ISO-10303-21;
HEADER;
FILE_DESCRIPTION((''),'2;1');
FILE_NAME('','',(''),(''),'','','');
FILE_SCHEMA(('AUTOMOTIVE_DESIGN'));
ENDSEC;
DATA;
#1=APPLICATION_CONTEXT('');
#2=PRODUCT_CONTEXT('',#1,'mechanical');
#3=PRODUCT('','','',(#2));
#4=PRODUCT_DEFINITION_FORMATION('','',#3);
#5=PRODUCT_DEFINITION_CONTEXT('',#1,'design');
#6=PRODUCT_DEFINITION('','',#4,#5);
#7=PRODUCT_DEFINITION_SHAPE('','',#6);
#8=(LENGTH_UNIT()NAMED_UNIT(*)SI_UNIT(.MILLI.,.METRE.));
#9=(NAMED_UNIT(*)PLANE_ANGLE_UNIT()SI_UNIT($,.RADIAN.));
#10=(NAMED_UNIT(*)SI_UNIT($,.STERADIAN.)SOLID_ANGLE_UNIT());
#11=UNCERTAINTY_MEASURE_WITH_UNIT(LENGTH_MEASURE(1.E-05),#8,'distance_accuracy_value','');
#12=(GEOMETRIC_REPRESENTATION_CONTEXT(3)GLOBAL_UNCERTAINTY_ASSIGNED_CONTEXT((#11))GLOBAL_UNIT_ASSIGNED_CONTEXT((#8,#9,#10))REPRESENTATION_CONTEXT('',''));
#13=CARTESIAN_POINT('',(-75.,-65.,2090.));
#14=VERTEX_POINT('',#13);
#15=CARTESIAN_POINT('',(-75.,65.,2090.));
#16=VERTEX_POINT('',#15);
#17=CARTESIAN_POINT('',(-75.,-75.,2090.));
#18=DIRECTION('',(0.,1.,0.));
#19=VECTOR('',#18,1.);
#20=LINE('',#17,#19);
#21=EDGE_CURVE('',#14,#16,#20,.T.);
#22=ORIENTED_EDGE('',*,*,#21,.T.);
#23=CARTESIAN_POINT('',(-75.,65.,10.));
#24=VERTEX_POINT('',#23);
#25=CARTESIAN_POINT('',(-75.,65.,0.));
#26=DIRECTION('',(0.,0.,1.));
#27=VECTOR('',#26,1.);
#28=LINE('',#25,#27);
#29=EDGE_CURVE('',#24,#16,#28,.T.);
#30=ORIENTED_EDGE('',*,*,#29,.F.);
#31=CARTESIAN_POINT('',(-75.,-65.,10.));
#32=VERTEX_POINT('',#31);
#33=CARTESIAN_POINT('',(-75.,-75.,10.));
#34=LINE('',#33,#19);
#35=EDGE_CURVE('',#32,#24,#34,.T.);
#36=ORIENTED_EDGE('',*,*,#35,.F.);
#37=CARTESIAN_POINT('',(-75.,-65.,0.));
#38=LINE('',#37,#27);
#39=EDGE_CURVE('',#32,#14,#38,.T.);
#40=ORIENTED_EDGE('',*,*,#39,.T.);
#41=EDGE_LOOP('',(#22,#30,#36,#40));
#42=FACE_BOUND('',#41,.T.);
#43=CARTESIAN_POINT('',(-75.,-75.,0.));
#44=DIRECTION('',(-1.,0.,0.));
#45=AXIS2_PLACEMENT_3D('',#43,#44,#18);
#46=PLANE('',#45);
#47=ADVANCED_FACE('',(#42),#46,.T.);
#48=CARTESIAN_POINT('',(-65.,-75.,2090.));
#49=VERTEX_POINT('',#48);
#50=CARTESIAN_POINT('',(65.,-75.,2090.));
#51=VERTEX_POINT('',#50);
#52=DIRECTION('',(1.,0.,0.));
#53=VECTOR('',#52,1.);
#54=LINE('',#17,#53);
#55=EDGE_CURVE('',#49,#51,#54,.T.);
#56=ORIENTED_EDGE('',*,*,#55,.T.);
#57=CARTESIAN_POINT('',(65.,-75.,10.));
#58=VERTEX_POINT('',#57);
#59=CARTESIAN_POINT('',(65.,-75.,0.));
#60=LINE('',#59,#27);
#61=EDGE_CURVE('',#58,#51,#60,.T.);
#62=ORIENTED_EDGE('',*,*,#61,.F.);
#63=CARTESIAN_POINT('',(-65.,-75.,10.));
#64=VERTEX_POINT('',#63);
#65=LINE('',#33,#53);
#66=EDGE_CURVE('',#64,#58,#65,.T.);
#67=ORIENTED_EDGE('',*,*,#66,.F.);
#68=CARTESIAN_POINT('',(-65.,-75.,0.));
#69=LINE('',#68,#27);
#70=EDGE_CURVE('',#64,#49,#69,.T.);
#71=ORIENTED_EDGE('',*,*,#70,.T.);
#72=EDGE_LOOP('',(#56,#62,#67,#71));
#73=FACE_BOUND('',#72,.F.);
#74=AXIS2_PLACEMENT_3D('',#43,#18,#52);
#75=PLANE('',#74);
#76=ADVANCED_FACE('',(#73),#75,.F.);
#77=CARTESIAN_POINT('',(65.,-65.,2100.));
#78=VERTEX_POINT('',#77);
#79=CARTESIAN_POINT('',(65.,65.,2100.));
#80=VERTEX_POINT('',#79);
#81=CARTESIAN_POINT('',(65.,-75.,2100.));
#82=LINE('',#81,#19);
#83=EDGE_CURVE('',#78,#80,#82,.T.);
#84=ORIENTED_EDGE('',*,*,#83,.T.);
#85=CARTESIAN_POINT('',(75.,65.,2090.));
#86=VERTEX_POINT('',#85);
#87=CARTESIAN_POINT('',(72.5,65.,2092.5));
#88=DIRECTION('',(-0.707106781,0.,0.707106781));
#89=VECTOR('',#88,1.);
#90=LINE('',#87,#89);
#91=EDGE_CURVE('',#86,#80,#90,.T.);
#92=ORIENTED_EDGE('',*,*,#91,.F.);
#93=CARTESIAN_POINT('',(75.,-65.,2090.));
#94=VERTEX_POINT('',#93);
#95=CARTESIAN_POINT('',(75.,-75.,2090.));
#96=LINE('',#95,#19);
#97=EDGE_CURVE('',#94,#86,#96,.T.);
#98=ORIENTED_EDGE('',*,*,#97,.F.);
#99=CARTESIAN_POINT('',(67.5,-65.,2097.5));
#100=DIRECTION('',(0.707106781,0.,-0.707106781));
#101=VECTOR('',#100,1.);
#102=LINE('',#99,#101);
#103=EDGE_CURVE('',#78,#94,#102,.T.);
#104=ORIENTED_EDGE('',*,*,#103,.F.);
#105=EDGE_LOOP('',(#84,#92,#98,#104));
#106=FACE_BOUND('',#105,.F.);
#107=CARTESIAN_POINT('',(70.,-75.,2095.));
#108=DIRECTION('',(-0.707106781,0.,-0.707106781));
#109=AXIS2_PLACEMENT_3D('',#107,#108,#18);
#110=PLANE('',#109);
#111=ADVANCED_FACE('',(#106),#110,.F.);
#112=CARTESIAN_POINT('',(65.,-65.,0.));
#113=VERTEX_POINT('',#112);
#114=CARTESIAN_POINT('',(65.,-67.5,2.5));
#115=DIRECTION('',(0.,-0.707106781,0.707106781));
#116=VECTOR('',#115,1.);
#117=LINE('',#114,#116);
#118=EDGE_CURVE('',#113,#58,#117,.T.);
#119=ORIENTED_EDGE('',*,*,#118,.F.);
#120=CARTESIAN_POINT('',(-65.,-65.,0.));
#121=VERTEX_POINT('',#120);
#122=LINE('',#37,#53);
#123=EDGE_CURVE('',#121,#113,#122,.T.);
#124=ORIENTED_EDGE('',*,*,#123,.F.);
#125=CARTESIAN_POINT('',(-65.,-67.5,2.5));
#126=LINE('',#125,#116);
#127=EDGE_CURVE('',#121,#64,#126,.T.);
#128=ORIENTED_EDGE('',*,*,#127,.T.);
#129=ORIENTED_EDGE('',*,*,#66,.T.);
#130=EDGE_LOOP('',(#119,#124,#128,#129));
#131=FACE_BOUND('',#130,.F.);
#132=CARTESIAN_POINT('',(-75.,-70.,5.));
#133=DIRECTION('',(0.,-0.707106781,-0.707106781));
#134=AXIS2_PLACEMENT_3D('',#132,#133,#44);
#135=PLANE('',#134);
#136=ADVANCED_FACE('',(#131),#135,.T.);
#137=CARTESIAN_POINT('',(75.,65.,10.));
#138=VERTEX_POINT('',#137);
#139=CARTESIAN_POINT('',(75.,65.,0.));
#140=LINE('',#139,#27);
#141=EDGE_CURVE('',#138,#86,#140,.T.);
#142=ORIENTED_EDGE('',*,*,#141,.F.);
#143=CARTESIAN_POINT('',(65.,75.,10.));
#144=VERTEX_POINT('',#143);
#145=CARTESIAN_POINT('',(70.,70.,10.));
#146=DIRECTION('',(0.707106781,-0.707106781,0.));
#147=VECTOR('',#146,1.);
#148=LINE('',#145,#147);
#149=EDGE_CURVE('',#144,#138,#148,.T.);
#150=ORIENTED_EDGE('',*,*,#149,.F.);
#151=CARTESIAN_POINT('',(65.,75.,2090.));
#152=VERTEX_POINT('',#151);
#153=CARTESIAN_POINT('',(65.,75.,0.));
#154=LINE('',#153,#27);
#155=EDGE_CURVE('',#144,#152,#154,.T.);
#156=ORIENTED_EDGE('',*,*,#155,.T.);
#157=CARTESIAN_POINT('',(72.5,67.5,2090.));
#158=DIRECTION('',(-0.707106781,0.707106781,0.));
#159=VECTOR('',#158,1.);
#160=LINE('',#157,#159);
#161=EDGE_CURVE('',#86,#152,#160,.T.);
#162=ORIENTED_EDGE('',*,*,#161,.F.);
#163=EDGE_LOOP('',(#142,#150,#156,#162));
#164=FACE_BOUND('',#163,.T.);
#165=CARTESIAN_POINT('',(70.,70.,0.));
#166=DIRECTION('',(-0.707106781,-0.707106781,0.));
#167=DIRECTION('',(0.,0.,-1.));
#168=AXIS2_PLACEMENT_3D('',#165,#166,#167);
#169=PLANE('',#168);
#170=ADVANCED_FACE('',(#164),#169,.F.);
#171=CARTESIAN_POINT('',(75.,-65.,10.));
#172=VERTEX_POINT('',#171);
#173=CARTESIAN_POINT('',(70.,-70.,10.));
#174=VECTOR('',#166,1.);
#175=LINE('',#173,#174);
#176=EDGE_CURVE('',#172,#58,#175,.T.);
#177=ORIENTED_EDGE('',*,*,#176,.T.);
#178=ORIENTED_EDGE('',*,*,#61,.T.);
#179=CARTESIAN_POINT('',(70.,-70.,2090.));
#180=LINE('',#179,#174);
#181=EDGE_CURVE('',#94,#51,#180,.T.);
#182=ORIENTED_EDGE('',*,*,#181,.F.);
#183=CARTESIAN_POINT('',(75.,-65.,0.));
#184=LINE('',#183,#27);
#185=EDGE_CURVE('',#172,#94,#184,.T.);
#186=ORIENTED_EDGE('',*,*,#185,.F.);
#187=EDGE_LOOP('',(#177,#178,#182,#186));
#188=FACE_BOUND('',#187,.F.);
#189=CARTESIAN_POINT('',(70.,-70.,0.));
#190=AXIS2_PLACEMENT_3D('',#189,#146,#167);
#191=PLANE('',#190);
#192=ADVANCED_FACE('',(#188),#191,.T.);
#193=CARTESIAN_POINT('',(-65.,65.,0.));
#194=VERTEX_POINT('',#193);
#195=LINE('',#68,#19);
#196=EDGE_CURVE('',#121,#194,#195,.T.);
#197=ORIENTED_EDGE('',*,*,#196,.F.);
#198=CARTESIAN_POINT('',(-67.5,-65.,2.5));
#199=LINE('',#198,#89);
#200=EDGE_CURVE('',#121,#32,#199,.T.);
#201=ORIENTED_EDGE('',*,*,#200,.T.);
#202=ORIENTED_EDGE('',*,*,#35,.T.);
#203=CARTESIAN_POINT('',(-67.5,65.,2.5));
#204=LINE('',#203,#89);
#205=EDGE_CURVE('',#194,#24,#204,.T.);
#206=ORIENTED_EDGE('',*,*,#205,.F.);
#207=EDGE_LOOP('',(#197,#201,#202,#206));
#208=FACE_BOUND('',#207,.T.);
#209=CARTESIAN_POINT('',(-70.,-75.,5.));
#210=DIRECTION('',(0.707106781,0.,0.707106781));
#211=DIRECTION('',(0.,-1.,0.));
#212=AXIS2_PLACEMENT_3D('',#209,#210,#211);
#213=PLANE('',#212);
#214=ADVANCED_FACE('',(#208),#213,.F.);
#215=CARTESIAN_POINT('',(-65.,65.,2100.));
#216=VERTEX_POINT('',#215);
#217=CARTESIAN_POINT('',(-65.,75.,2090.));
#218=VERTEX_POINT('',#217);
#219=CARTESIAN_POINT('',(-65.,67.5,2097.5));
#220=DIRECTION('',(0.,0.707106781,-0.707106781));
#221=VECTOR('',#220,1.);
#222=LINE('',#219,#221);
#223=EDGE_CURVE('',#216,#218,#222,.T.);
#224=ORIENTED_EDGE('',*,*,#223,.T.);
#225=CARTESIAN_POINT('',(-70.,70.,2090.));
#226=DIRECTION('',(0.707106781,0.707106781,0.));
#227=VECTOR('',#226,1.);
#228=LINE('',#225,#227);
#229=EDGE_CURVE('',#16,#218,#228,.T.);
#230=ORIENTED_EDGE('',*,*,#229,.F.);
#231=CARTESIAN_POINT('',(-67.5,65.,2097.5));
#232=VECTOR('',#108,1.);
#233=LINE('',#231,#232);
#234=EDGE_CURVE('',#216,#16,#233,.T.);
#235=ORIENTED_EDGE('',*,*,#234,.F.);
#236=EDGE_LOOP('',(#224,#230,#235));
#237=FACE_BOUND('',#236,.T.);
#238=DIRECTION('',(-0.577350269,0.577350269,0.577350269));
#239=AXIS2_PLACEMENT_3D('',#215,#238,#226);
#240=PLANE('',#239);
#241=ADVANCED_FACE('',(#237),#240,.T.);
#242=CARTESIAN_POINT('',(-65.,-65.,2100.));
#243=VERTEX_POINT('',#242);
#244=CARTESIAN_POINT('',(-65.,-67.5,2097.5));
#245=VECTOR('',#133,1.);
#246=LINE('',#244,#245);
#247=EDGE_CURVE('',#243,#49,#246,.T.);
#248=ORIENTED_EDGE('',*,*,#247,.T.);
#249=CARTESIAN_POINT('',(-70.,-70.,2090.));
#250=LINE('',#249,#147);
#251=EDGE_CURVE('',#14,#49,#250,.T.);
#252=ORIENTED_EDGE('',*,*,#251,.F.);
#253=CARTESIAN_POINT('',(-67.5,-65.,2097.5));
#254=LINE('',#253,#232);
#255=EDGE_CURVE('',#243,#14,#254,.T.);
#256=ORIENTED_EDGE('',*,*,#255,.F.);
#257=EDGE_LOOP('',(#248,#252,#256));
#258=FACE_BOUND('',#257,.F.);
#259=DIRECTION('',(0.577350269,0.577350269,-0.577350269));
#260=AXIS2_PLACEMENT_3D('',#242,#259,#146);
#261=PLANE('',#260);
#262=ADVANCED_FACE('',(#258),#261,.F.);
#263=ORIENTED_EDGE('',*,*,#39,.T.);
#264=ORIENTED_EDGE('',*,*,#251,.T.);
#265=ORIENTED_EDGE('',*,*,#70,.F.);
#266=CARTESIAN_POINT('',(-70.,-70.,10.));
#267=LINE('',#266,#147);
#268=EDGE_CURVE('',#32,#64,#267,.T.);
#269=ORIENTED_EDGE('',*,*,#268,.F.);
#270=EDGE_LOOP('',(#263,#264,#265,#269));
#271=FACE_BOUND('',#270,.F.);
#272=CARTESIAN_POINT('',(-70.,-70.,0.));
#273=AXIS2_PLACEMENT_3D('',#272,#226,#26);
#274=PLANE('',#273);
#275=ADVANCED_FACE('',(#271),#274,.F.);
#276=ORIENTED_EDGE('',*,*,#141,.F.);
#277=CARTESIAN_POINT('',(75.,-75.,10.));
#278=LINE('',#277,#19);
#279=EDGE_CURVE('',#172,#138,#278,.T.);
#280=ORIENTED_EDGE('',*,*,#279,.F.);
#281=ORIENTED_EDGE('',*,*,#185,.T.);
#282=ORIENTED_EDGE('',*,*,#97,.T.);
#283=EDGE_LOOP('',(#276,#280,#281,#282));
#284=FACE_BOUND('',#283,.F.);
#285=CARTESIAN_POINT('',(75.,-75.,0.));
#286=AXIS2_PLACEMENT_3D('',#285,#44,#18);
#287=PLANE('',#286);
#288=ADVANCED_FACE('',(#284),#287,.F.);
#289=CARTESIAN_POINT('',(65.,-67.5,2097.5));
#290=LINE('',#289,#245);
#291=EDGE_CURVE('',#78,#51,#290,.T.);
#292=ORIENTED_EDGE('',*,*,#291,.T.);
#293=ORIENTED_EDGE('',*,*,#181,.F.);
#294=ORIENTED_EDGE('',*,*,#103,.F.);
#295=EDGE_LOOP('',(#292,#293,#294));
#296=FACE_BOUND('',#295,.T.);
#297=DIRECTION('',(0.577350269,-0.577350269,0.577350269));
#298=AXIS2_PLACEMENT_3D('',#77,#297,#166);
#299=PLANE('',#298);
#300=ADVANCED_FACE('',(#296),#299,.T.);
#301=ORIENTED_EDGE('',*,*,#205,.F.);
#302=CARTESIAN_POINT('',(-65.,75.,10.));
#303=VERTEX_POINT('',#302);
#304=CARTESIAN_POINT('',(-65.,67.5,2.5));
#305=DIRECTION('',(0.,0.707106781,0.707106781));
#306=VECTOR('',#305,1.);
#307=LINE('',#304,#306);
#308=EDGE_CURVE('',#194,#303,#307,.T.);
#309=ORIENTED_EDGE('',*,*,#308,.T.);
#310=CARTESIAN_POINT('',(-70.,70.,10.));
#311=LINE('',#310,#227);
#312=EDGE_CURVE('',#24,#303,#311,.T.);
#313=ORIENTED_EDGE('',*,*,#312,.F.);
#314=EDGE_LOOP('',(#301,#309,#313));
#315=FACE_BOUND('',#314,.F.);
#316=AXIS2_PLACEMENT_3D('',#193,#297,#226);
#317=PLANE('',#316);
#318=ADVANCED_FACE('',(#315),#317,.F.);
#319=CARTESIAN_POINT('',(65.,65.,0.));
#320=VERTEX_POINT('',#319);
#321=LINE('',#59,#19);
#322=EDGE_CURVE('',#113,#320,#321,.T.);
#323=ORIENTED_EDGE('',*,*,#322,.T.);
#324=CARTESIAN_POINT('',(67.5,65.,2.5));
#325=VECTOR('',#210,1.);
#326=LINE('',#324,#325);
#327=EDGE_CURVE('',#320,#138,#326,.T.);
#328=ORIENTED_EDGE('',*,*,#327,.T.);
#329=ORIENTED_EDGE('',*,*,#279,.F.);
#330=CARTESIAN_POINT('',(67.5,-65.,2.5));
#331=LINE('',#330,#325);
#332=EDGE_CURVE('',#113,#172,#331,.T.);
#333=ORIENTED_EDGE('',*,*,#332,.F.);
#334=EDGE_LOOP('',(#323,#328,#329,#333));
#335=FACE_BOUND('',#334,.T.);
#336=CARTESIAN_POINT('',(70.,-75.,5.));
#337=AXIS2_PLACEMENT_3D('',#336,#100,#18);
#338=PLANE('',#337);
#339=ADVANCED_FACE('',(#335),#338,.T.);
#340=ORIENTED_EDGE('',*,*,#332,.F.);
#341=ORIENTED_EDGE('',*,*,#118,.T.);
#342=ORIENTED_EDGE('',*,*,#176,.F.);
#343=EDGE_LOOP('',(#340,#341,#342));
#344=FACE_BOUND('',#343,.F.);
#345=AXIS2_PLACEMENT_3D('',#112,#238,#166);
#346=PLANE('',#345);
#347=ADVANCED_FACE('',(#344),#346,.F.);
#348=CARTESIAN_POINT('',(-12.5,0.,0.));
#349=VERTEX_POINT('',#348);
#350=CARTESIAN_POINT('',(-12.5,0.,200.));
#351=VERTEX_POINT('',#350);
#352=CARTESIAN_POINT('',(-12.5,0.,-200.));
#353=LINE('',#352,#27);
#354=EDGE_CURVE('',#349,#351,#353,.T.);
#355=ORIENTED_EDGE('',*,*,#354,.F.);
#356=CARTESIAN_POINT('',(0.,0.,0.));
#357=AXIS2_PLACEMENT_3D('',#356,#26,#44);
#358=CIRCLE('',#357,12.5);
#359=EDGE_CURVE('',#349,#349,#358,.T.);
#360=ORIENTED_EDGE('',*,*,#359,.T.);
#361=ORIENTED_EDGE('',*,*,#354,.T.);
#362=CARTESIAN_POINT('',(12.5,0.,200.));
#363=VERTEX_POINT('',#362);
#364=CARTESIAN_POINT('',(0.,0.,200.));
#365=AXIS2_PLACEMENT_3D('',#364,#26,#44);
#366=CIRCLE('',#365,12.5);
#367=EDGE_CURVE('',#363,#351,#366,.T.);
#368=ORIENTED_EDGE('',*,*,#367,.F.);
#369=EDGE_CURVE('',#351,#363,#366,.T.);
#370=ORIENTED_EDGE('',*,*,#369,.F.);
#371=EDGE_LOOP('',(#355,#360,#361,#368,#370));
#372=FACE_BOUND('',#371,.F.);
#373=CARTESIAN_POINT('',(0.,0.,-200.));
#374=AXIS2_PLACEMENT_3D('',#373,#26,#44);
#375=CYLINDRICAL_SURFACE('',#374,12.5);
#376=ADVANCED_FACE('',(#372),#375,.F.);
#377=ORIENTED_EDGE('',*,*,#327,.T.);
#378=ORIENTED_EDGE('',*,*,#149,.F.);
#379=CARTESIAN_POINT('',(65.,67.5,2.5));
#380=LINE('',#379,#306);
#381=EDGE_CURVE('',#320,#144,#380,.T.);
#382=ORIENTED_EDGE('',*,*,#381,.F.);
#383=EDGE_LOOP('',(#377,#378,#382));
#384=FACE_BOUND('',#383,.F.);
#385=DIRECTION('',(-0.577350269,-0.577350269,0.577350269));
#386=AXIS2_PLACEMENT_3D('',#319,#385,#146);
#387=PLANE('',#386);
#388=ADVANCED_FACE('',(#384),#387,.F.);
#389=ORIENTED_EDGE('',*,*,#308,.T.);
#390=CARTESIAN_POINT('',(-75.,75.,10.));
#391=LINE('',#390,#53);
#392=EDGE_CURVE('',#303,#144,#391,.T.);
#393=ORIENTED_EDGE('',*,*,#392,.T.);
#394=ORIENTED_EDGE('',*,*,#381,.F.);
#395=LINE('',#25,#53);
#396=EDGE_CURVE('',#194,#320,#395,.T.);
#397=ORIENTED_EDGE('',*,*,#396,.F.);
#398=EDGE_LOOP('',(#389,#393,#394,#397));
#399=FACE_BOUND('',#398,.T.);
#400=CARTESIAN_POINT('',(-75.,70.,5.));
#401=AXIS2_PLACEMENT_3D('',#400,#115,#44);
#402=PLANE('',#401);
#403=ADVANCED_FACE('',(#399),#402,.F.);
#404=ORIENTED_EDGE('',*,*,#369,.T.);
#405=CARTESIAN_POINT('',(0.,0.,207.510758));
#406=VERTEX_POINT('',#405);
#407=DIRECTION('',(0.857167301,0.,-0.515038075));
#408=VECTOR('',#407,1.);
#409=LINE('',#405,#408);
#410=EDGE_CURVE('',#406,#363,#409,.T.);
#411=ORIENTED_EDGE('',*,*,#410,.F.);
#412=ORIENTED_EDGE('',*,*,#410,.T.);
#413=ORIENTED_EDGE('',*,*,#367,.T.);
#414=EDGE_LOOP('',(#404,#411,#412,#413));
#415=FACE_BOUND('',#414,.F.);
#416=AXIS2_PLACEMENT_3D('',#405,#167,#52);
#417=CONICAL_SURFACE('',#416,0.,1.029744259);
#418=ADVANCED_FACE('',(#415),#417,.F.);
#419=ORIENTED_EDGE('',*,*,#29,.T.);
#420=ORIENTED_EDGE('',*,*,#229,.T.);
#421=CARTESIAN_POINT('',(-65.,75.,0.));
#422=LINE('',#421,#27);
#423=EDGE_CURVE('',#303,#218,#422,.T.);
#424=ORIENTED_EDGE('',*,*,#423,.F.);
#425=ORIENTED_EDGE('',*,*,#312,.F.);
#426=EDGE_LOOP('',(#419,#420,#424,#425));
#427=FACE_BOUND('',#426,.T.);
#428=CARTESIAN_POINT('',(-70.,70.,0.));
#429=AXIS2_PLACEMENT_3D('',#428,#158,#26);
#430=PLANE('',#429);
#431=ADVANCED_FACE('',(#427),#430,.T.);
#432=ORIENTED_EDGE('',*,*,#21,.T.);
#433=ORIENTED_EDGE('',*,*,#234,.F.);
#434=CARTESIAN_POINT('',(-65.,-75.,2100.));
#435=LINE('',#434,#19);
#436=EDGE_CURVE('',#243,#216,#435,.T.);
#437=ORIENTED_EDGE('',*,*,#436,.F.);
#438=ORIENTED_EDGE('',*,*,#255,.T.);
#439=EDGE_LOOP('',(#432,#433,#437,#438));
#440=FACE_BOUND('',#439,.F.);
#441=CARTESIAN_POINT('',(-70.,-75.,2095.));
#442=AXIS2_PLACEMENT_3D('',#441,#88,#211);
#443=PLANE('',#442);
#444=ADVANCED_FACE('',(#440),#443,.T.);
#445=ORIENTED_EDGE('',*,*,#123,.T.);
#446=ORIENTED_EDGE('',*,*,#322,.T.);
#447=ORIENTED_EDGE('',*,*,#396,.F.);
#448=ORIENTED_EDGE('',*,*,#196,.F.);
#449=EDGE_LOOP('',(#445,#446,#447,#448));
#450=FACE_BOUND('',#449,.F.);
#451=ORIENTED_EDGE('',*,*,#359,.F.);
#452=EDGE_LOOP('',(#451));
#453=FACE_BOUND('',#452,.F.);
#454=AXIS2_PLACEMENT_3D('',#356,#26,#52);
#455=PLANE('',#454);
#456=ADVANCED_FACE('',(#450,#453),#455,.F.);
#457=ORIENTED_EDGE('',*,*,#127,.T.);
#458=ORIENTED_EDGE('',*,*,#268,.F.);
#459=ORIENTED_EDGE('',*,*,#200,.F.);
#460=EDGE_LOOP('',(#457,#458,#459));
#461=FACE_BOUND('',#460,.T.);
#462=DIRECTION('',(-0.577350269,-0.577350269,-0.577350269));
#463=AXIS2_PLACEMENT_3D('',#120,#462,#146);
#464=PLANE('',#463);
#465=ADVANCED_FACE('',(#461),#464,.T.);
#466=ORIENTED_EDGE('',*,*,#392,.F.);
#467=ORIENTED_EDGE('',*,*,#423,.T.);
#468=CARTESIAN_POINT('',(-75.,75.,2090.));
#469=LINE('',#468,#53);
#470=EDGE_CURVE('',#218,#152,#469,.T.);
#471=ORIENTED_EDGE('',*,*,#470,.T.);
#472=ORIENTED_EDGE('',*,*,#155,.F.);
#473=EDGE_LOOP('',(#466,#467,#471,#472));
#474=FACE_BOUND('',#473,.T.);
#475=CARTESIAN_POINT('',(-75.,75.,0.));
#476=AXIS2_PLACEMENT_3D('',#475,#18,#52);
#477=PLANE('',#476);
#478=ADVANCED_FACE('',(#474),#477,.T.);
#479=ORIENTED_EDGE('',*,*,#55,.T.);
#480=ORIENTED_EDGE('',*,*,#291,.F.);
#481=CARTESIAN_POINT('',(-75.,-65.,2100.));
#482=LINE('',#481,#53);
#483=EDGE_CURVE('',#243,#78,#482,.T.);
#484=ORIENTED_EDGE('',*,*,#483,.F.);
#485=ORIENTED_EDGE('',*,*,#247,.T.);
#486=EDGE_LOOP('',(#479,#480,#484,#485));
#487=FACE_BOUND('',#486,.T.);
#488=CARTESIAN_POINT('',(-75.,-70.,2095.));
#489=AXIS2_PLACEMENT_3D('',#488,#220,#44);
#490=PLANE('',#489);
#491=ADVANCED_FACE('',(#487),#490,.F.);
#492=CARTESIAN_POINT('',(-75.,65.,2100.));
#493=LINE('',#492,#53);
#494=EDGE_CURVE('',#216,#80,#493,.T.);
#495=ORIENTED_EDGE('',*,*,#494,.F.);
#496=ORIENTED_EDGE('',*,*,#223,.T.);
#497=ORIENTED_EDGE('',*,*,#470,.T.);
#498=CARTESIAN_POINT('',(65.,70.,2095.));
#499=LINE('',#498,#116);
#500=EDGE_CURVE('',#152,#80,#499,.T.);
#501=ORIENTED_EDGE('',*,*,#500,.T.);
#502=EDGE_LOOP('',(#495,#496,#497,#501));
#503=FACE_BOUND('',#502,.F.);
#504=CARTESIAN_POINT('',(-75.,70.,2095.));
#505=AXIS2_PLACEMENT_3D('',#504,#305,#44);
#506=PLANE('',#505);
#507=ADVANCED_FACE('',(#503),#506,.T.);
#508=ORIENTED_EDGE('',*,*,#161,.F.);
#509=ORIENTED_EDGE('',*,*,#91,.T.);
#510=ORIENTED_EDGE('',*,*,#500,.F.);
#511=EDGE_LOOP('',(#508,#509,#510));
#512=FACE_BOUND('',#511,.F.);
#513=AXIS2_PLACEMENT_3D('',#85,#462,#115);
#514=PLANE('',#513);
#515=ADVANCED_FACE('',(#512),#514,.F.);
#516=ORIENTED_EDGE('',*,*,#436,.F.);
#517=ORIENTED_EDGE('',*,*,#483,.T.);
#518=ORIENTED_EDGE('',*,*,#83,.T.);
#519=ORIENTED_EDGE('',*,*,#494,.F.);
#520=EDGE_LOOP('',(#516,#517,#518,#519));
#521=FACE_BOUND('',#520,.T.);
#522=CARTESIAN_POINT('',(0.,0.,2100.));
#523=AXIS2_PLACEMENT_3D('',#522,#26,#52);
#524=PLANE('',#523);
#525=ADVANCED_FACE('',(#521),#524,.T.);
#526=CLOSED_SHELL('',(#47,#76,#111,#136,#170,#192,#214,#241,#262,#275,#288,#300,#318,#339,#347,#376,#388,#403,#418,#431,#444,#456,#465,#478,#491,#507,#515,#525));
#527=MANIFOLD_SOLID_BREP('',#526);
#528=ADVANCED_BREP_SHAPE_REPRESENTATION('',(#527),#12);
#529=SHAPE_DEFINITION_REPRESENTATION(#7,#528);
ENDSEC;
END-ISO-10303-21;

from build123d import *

# Parameters (mm, degrees)
F0_W     = 150
F0_H     = 150
F1_DEPTH = 2100
F3_D     = 25
F3_DEPTH = 200
F3_TIP   = 7.5107577378
F4_SIZE  = 10


with BuildPart() as f1:
    # F0 (on Top) → F1 (new body)
    with BuildSketch(Plane.XY):
        Rectangle(F0_W, F0_H)
    extrude(amount=F1_DEPTH)

    # F3
    with Locations(Plane(origin=(0, 0, 0), x_dir=(1, 0, 0), z_dir=(0, 0, -1))):
        with Locations((0, 0)):
            Hole(F3_D / 2, depth=F3_DEPTH)
            with Locations((0, 0, -(F3_DEPTH + F3_TIP / 2))):  # 118° drill point
                Cone(0, F3_D / 2, F3_TIP, mode=Mode.SUBTRACT)

    # F4
    f4_edges = [f1.edges().sort_by_distance(p)[0] for p in [
        (-75, 75, 1050),
        (-75, -75, 1050),
        (-75, 0, 0),
        (-75, 0, 2100),
        (0, 75, 2100),
        (75, 75, 1050),
        (0, 75, 0),
        (75, -75, 1050),
        (75, 0, 0),
        (75, 0, 2100),
        (0, -75, 0),
        (0, -75, 2100),
    ]]
    chamfer(f4_edges, length=F4_SIZE)


solid = f1.part
